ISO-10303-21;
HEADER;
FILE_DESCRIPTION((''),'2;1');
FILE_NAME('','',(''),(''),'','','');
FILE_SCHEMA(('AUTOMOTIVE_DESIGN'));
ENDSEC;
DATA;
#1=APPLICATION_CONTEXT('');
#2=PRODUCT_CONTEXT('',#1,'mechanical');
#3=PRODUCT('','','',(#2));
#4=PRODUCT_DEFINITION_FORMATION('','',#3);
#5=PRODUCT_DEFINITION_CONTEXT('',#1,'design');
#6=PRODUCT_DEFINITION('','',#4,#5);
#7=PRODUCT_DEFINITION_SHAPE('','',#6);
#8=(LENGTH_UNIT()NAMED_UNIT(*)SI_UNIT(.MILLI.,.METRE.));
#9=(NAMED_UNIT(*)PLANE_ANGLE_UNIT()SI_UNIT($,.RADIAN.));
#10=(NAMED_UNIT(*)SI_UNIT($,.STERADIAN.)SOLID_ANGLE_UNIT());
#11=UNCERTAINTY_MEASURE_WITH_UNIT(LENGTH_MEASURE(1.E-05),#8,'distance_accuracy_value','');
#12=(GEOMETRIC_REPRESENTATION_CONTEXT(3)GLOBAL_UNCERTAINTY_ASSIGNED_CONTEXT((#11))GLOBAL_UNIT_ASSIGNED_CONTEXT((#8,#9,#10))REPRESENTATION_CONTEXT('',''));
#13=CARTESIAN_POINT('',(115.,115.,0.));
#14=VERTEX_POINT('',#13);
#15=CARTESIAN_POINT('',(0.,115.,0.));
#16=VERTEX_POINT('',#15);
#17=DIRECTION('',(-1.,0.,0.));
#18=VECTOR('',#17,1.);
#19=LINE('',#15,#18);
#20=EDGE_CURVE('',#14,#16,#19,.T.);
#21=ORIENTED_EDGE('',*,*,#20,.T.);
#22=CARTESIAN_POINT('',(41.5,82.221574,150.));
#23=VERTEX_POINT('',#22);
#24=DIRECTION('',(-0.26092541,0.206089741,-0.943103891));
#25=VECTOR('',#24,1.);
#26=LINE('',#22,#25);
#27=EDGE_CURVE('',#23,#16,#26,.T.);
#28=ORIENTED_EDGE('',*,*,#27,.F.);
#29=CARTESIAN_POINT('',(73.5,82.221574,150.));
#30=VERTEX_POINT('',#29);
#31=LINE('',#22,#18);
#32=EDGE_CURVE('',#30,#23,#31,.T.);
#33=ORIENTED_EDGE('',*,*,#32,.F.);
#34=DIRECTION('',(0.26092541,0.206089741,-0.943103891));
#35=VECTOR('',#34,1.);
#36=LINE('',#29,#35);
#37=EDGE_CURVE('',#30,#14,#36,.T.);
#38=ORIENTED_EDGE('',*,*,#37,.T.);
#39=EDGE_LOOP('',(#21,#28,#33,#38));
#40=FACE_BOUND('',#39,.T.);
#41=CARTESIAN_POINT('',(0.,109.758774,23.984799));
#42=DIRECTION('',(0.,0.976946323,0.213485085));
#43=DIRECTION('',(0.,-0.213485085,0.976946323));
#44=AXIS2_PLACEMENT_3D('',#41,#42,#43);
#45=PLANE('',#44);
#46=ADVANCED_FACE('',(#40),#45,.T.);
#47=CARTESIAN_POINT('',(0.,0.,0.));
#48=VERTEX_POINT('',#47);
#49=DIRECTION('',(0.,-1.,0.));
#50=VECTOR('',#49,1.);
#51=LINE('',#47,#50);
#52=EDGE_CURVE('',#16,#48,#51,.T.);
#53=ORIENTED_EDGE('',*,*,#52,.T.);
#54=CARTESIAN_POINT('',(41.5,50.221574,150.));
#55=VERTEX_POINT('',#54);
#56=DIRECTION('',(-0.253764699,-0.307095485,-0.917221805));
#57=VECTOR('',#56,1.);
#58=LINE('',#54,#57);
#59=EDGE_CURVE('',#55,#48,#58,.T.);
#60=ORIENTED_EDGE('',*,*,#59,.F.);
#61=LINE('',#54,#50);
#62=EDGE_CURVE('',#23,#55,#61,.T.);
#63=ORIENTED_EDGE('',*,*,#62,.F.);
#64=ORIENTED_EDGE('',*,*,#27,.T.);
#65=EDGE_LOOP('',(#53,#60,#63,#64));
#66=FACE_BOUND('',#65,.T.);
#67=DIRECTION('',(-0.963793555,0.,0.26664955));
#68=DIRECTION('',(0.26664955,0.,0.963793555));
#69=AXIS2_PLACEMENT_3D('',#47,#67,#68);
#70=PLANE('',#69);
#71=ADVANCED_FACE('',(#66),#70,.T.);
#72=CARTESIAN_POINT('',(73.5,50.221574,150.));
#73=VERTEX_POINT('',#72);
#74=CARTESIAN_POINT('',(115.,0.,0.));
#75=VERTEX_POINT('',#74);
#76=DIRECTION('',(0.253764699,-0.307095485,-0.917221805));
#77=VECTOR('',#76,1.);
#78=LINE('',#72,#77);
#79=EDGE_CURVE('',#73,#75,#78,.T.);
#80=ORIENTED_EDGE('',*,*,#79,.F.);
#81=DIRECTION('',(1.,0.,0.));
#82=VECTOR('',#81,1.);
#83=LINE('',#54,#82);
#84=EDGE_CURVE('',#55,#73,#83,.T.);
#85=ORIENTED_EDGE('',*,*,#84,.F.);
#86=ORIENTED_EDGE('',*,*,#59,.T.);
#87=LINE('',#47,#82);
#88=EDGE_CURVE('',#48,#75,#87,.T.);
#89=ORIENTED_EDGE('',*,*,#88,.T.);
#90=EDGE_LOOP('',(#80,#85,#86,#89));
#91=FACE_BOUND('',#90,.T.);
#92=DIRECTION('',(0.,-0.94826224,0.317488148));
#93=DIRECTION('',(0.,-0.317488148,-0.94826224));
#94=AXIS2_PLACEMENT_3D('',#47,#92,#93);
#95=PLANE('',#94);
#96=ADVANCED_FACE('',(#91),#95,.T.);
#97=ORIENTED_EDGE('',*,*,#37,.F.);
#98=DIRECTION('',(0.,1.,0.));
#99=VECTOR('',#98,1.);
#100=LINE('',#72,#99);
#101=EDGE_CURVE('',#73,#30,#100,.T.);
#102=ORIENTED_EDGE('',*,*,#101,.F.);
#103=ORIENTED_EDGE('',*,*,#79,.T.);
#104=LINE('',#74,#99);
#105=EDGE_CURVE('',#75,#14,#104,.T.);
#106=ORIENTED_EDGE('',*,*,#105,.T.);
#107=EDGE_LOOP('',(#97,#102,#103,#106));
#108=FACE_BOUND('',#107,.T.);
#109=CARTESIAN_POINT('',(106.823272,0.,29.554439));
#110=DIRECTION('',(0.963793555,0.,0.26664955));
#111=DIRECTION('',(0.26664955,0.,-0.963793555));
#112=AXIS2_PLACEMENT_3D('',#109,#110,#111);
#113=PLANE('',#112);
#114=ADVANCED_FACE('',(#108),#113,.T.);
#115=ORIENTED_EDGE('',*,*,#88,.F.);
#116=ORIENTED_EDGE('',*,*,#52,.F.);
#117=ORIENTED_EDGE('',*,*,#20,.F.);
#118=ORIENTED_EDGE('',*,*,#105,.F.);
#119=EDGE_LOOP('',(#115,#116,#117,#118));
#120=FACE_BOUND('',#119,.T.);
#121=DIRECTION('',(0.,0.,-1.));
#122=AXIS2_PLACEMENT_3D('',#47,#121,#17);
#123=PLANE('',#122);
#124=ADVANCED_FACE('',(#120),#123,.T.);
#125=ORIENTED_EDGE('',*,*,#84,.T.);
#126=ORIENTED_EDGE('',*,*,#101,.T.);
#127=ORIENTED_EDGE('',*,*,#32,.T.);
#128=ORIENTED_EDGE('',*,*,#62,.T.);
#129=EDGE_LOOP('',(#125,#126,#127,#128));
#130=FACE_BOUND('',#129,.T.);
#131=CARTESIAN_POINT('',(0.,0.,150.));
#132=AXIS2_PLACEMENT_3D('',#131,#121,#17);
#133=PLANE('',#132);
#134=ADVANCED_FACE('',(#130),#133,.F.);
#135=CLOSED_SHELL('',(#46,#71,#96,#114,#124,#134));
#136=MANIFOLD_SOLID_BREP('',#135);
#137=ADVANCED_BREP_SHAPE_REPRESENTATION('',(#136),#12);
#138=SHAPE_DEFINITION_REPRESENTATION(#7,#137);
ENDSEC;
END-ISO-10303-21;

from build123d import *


with BuildPart() as part:
    # Sketch2 → Loft1 section 0
    with BuildSketch(Plane.XY.offset(150)):
        with BuildLine():
            Line((41.5, 50.221573985), (73.5, 50.221573985))
            Line((73.5, 50.221573985), (73.5, 82.221573985))
            Line((73.5, 82.221573985), (41.5, 82.221573985))
            Line((41.5, 82.221573985), (41.5, 50.221573985))
        make_face()
    # Sketch1 → Loft1 section 1
    with BuildSketch(Plane.XY):
        with BuildLine():
            Line((0, 0), (115, 0))
            Line((115, 0), (115, 115))
            Line((115, 115), (0, 115))
            Line((0, 115), (0, 0))
        make_face()
    loft()


solid = part.part
